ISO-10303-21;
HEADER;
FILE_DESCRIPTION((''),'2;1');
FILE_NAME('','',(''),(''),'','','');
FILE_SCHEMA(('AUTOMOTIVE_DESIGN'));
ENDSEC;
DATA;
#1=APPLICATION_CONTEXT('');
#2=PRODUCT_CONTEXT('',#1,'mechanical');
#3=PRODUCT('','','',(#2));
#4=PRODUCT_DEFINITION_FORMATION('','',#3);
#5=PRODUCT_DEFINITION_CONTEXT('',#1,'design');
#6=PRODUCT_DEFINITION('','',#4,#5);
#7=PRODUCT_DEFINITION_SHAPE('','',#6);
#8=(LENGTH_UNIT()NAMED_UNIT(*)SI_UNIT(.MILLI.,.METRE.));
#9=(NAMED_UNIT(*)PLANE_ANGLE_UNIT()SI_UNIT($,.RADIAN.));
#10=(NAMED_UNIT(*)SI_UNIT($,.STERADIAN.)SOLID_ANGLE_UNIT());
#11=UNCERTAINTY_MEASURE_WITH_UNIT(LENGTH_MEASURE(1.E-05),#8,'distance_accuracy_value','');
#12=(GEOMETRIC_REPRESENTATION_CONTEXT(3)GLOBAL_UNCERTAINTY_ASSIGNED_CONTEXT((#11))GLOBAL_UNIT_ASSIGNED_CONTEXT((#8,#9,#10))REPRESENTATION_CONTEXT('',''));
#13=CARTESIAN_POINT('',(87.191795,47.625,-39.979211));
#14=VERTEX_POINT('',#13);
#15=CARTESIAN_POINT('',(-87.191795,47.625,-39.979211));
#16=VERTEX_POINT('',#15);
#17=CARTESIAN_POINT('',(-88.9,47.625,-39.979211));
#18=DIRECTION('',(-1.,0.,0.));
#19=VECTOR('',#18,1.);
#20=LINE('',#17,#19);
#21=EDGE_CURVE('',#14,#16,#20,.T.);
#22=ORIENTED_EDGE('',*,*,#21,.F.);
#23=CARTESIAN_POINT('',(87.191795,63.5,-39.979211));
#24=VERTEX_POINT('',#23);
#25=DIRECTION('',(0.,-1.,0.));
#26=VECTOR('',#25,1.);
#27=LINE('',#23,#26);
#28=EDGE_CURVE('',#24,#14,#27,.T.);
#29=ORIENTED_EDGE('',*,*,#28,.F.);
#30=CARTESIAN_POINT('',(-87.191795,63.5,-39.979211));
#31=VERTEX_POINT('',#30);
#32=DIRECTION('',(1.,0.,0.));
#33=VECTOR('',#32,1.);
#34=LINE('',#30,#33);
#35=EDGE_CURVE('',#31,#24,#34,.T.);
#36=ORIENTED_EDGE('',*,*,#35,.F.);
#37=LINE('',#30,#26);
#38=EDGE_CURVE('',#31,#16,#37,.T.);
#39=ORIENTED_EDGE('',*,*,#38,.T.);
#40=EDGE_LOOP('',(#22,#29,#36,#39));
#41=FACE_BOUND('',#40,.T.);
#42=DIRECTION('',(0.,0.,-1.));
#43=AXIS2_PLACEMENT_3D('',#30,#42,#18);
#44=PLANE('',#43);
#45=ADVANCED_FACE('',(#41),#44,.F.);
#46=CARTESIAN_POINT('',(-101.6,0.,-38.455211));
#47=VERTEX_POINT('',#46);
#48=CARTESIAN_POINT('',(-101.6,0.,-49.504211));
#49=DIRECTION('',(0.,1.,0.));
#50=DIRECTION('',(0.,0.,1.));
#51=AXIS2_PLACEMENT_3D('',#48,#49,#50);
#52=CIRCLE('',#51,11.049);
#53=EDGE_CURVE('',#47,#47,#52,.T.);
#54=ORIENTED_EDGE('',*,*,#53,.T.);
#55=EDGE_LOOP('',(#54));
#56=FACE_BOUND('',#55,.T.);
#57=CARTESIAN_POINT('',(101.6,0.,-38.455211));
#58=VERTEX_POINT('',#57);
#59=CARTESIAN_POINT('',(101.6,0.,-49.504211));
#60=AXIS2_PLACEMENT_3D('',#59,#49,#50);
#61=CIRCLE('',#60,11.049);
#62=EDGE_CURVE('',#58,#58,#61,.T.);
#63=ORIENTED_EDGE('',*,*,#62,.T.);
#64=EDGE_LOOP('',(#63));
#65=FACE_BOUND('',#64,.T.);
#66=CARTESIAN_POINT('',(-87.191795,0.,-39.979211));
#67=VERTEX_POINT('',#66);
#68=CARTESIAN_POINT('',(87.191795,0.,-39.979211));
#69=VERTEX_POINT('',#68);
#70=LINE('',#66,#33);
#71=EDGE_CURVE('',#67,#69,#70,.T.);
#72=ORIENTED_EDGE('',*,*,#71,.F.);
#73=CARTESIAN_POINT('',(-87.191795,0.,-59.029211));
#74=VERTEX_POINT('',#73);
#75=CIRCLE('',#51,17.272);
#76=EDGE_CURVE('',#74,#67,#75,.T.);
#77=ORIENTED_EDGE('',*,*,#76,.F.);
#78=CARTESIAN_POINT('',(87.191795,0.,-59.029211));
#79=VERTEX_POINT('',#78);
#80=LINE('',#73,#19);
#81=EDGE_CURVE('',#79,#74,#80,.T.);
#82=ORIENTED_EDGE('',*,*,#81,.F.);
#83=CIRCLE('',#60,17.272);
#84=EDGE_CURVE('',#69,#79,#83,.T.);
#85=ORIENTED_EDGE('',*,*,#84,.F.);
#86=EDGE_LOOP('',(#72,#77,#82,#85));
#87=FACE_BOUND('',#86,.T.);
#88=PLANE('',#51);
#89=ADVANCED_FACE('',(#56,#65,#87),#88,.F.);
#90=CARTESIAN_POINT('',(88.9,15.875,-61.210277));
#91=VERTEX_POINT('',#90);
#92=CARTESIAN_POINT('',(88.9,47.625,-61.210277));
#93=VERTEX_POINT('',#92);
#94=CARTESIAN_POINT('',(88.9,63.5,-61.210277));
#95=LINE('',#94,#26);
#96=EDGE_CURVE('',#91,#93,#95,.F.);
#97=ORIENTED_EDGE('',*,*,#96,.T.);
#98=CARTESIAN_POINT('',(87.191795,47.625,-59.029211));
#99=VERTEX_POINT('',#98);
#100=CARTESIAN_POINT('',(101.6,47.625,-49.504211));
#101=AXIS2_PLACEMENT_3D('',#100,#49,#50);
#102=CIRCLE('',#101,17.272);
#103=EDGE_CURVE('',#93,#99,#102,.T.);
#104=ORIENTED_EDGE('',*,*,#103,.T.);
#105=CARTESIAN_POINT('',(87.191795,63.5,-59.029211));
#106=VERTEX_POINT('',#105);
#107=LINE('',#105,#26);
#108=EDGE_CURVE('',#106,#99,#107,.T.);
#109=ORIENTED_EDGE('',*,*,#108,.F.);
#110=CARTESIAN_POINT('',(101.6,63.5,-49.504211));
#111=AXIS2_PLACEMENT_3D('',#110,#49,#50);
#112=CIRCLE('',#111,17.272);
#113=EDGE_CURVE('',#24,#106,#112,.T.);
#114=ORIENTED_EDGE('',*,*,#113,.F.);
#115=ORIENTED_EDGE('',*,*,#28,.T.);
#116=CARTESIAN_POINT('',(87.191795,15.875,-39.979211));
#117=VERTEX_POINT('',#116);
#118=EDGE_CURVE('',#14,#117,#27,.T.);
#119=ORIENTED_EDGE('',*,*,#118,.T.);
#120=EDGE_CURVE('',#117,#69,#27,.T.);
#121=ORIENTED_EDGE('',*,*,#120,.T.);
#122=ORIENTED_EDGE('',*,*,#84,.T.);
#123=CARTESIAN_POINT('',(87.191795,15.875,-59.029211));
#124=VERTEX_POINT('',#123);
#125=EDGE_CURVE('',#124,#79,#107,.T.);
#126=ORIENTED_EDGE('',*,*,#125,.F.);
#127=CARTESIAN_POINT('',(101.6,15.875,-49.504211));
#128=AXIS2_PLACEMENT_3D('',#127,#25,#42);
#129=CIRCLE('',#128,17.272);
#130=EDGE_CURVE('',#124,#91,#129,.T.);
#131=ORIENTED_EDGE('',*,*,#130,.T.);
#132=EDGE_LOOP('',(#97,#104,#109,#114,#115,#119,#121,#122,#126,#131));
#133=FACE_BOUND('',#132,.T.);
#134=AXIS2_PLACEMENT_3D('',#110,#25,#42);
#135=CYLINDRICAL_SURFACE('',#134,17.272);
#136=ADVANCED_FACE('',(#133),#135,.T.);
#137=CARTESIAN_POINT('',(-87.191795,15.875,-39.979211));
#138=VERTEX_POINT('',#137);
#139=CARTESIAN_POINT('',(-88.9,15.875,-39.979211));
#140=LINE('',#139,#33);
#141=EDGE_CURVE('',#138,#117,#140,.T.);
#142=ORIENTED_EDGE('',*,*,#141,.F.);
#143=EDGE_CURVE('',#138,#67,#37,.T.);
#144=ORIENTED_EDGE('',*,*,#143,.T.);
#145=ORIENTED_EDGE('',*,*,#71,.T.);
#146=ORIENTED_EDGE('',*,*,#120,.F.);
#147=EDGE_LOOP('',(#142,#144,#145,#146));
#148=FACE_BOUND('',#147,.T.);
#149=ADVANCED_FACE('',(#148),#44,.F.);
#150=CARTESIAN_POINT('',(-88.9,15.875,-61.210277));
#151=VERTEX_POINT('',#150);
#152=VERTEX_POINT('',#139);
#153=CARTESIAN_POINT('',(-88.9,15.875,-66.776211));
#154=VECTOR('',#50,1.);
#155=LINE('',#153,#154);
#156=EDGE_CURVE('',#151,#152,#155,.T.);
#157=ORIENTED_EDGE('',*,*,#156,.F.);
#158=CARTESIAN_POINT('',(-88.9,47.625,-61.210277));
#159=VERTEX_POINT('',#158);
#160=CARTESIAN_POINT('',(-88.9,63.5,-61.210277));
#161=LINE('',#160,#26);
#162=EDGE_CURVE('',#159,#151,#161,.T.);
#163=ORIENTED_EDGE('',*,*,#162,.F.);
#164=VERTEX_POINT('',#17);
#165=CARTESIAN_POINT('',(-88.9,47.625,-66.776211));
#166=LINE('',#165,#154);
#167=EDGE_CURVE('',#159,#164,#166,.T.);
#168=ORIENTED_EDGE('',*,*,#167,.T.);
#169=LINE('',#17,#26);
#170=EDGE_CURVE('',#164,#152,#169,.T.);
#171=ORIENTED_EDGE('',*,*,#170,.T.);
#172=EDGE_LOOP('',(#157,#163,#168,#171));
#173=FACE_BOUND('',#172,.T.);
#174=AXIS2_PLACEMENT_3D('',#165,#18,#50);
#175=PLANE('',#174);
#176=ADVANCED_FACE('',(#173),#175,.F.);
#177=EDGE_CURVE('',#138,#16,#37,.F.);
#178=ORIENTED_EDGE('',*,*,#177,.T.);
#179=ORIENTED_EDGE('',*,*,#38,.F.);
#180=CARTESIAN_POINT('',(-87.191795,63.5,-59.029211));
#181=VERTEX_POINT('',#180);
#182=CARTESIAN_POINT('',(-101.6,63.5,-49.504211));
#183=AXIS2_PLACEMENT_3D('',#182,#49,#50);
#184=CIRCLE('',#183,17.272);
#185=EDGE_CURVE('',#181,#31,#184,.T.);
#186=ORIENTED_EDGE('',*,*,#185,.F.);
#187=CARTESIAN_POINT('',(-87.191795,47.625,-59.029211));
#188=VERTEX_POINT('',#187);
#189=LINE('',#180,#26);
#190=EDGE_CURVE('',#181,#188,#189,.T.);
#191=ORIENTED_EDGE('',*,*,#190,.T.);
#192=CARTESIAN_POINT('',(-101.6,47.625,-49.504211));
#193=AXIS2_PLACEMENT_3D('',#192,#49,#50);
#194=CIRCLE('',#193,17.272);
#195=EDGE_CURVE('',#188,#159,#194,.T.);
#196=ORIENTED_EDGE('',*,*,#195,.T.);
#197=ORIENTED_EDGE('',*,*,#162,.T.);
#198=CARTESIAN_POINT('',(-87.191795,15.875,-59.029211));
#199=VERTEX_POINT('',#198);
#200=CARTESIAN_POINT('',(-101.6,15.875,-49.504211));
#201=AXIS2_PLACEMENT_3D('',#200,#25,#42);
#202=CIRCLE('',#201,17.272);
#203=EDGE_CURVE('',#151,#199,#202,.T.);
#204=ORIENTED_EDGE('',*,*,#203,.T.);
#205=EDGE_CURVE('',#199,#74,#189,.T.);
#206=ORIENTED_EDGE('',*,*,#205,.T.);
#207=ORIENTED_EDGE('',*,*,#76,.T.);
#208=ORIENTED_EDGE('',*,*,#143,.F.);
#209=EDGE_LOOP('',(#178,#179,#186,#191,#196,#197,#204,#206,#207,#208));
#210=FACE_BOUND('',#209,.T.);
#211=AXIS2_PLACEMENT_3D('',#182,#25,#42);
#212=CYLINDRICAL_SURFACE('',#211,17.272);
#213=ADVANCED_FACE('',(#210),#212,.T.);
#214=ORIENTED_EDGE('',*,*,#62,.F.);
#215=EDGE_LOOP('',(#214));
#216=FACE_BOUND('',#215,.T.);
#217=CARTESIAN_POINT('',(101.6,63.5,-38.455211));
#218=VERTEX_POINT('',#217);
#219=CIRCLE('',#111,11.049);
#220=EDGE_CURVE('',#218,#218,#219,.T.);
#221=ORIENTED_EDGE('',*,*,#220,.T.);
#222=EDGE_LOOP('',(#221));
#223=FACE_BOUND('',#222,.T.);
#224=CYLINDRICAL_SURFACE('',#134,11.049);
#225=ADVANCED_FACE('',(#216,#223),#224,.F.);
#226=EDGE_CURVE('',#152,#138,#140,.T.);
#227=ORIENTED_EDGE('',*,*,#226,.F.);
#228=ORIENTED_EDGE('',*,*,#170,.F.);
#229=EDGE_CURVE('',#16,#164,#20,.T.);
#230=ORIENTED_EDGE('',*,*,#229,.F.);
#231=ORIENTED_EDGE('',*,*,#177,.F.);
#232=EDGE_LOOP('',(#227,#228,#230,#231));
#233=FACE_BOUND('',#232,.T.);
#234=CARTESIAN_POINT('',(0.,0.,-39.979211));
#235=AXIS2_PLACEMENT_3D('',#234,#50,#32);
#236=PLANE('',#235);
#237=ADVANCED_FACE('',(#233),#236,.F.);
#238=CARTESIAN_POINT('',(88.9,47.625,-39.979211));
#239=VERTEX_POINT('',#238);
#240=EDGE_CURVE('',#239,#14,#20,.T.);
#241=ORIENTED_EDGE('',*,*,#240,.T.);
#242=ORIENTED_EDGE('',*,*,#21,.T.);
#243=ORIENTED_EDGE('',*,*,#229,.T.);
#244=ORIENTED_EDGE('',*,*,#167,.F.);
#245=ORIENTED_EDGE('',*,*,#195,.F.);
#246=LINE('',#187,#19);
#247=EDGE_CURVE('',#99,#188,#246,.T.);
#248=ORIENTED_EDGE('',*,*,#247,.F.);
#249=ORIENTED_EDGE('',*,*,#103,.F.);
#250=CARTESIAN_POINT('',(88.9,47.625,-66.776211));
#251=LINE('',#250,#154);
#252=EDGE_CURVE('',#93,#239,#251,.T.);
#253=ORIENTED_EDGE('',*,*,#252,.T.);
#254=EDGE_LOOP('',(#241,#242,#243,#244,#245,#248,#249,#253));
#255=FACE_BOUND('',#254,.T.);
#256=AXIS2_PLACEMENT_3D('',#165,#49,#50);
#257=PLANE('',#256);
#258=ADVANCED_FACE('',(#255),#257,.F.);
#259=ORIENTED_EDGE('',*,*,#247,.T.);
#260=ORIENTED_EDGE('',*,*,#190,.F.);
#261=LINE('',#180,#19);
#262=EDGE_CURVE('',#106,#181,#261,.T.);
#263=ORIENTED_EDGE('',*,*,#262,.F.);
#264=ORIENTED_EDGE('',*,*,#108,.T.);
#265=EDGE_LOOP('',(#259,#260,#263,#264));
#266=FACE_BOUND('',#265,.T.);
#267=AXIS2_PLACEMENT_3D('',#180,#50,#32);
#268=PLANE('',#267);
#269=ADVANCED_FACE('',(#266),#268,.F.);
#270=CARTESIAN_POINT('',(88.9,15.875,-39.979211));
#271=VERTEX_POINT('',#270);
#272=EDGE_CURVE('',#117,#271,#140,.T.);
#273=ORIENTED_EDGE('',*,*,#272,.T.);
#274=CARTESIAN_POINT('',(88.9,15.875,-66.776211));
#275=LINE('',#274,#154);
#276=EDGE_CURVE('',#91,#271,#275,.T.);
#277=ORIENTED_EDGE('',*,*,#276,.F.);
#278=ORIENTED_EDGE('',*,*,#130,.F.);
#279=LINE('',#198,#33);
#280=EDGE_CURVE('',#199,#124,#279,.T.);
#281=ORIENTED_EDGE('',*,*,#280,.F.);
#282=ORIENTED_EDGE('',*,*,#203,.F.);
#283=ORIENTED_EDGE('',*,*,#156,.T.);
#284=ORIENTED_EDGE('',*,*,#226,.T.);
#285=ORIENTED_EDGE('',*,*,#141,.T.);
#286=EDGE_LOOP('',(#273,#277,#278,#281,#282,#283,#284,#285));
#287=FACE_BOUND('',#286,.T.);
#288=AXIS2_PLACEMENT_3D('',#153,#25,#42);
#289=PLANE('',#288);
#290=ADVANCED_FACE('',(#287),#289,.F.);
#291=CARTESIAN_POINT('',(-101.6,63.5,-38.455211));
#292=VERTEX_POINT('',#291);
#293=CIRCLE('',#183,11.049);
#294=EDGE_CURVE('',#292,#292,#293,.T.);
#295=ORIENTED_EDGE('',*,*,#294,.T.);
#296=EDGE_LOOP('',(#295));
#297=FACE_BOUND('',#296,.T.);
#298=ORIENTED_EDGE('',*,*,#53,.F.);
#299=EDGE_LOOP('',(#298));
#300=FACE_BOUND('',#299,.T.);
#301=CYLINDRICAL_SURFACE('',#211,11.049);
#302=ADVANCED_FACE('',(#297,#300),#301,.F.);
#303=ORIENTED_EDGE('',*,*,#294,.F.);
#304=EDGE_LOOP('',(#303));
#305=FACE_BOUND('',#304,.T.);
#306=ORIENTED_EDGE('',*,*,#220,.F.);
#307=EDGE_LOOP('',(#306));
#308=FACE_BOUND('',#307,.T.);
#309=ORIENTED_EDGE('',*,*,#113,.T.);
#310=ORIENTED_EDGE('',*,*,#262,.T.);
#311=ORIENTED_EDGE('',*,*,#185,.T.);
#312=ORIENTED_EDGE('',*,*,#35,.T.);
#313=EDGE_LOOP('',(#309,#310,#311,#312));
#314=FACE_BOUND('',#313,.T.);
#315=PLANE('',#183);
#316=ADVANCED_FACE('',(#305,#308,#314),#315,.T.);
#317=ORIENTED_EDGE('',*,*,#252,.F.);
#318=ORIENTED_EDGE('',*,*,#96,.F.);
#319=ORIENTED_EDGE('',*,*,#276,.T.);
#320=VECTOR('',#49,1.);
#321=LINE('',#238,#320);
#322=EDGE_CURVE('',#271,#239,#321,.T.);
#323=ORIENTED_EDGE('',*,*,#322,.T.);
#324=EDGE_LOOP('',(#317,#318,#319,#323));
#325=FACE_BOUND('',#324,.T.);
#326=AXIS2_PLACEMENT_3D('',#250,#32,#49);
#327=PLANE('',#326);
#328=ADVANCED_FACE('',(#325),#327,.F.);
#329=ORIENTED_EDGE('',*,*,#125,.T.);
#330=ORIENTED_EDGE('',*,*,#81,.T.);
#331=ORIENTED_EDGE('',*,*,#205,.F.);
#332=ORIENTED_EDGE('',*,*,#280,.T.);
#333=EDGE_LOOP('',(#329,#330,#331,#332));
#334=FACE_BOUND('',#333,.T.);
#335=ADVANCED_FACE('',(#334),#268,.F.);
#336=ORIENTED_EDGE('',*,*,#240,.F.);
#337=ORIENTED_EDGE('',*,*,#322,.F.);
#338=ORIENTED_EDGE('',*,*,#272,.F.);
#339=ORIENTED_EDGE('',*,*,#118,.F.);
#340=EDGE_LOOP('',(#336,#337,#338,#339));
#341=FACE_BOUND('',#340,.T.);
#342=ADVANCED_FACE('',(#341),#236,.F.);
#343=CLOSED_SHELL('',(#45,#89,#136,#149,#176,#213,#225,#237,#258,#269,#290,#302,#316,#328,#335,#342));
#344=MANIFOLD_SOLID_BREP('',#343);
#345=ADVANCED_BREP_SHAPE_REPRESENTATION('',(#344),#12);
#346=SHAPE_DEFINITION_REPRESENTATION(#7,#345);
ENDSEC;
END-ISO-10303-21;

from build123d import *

# Parameters (mm, degrees)
SKETCH1_R           = 11.049
BOSS_EXTRUDE1_DEPTH = 63.5
SKETCH2_W           = 177.8
SKETCH2_H           = 31.75
CUT_EXTRUDE1_DEPTH  = 138.407720282


with BuildPart() as part:
    # Sketch1 → Boss-Extrude1 (new body)
    with BuildSketch(Plane(origin=(0, 0, 0), x_dir=(1, 0, 0), z_dir=(0, 1, 0))):
        with BuildLine():
            Line((-87.191795428, 59.02921057), (87.191795428, 59.02921057))
            ThreePointArc((87.191795428, 59.02921057), (118.872, 49.50421057), (87.191795428, 39.97921057))
            Line((87.191795428, 39.97921057), (-87.191795428, 39.97921057))
            ThreePointArc((-87.191795428, 39.97921057), (-118.872, 49.50421057), (-87.191795428, 59.02921057))
        make_face()
        with Locations(Location((101.6, 49.50421057, 0), (0, 0, 270))):
            Circle(SKETCH1_R, mode=Mode.SUBTRACT)
        with Locations(Location((-101.6, 49.50421057, 0), (0, 0, 270))):
            Circle(SKETCH1_R, mode=Mode.SUBTRACT)
    extrude(amount=BOSS_EXTRUDE1_DEPTH)

    # Sketch2 → Cut-Extrude1 (cut, through all)
    with BuildSketch(Plane.XY.offset(-39.97921057)):
        with Locations((0, 31.75)):
            Rectangle(SKETCH2_W, SKETCH2_H)
    extrude(amount=-CUT_EXTRUDE1_DEPTH, mode=Mode.SUBTRACT)


solid = part.part
